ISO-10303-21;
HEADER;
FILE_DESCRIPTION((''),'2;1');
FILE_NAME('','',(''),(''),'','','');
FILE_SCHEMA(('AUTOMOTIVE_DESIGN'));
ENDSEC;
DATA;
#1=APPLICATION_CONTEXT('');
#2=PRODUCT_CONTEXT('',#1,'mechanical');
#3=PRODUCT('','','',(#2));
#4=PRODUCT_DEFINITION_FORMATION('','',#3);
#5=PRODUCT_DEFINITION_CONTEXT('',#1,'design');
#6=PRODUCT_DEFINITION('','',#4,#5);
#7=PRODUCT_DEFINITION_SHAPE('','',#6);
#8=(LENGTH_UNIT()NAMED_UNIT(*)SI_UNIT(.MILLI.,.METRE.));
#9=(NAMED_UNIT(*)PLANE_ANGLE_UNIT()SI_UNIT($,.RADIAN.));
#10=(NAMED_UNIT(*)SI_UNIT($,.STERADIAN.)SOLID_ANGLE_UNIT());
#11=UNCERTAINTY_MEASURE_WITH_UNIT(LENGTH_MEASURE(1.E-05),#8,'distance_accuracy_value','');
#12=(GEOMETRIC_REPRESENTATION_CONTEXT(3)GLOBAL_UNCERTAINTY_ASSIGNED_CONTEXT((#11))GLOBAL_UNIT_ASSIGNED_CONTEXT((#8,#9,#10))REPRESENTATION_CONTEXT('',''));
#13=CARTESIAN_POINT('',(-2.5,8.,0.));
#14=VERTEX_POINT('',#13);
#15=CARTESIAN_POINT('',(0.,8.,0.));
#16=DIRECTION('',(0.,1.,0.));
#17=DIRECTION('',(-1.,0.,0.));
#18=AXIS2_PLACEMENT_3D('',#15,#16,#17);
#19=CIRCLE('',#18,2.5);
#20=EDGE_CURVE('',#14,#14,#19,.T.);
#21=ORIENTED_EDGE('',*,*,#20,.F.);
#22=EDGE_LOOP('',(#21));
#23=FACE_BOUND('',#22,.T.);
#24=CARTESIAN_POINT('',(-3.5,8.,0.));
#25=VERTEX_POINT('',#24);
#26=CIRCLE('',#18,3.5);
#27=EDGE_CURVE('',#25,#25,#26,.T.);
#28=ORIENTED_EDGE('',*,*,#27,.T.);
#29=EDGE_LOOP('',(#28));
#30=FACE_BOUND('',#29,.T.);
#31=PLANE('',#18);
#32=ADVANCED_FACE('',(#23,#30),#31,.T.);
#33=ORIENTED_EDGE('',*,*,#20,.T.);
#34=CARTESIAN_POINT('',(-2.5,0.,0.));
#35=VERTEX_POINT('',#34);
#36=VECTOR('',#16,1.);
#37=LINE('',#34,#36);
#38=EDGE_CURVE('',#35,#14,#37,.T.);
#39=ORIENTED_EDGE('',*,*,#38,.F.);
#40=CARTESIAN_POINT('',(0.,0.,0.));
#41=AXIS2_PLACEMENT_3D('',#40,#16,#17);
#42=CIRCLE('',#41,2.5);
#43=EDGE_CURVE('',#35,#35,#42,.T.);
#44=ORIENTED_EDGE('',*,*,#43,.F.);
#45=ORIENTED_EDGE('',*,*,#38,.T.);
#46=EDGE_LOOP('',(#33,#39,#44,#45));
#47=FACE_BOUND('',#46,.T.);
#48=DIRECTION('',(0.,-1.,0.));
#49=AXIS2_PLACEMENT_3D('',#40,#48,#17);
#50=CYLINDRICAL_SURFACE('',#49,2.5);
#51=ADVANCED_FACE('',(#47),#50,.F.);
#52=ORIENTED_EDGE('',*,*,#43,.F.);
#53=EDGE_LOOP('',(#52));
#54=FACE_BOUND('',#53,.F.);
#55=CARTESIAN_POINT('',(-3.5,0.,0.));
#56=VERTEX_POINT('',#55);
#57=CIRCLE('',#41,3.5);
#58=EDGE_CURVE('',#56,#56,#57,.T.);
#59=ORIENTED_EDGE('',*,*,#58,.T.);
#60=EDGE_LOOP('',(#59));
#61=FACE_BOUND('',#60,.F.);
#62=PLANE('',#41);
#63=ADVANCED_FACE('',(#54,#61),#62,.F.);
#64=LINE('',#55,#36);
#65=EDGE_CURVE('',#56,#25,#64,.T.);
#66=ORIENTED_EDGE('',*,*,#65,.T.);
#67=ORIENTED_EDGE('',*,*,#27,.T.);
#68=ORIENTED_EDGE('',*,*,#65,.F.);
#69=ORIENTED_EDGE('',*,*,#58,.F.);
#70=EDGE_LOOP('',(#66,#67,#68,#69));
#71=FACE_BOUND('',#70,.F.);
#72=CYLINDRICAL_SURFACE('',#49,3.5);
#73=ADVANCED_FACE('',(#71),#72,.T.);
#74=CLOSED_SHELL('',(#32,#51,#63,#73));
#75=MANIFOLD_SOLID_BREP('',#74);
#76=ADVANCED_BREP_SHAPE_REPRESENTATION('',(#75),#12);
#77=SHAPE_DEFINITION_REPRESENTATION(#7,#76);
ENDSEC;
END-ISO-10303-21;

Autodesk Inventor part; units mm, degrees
ref_plane "YZ Plane" through (0, 0, 0) normal (1, 0, 0) x (0, 1, 0)
ref_plane "XZ Plane" through (0, 0, 0) normal (0, 1, 0) x (-1, 0, 0)
ref_plane "XY Plane" through (0, 0, 0) normal (0, 0, 1) x (1, 0, 0)
sketch "Sketch1" plane through (0, 0, 0) normal (0, 1, 0) x (-1, 0, 0)
  circle A0 centre (0, 0) radius 2.5
  circle A1 centre (0, 0) radius 3.5
  dimension "d0" = 5
  dimension "d1" = 7
extrude "Extrusion1" add sketch "Sketch1" along normal blind 8
properties part number "Spacer 5mmID 8mmOD" material "Aluminum 6061"
